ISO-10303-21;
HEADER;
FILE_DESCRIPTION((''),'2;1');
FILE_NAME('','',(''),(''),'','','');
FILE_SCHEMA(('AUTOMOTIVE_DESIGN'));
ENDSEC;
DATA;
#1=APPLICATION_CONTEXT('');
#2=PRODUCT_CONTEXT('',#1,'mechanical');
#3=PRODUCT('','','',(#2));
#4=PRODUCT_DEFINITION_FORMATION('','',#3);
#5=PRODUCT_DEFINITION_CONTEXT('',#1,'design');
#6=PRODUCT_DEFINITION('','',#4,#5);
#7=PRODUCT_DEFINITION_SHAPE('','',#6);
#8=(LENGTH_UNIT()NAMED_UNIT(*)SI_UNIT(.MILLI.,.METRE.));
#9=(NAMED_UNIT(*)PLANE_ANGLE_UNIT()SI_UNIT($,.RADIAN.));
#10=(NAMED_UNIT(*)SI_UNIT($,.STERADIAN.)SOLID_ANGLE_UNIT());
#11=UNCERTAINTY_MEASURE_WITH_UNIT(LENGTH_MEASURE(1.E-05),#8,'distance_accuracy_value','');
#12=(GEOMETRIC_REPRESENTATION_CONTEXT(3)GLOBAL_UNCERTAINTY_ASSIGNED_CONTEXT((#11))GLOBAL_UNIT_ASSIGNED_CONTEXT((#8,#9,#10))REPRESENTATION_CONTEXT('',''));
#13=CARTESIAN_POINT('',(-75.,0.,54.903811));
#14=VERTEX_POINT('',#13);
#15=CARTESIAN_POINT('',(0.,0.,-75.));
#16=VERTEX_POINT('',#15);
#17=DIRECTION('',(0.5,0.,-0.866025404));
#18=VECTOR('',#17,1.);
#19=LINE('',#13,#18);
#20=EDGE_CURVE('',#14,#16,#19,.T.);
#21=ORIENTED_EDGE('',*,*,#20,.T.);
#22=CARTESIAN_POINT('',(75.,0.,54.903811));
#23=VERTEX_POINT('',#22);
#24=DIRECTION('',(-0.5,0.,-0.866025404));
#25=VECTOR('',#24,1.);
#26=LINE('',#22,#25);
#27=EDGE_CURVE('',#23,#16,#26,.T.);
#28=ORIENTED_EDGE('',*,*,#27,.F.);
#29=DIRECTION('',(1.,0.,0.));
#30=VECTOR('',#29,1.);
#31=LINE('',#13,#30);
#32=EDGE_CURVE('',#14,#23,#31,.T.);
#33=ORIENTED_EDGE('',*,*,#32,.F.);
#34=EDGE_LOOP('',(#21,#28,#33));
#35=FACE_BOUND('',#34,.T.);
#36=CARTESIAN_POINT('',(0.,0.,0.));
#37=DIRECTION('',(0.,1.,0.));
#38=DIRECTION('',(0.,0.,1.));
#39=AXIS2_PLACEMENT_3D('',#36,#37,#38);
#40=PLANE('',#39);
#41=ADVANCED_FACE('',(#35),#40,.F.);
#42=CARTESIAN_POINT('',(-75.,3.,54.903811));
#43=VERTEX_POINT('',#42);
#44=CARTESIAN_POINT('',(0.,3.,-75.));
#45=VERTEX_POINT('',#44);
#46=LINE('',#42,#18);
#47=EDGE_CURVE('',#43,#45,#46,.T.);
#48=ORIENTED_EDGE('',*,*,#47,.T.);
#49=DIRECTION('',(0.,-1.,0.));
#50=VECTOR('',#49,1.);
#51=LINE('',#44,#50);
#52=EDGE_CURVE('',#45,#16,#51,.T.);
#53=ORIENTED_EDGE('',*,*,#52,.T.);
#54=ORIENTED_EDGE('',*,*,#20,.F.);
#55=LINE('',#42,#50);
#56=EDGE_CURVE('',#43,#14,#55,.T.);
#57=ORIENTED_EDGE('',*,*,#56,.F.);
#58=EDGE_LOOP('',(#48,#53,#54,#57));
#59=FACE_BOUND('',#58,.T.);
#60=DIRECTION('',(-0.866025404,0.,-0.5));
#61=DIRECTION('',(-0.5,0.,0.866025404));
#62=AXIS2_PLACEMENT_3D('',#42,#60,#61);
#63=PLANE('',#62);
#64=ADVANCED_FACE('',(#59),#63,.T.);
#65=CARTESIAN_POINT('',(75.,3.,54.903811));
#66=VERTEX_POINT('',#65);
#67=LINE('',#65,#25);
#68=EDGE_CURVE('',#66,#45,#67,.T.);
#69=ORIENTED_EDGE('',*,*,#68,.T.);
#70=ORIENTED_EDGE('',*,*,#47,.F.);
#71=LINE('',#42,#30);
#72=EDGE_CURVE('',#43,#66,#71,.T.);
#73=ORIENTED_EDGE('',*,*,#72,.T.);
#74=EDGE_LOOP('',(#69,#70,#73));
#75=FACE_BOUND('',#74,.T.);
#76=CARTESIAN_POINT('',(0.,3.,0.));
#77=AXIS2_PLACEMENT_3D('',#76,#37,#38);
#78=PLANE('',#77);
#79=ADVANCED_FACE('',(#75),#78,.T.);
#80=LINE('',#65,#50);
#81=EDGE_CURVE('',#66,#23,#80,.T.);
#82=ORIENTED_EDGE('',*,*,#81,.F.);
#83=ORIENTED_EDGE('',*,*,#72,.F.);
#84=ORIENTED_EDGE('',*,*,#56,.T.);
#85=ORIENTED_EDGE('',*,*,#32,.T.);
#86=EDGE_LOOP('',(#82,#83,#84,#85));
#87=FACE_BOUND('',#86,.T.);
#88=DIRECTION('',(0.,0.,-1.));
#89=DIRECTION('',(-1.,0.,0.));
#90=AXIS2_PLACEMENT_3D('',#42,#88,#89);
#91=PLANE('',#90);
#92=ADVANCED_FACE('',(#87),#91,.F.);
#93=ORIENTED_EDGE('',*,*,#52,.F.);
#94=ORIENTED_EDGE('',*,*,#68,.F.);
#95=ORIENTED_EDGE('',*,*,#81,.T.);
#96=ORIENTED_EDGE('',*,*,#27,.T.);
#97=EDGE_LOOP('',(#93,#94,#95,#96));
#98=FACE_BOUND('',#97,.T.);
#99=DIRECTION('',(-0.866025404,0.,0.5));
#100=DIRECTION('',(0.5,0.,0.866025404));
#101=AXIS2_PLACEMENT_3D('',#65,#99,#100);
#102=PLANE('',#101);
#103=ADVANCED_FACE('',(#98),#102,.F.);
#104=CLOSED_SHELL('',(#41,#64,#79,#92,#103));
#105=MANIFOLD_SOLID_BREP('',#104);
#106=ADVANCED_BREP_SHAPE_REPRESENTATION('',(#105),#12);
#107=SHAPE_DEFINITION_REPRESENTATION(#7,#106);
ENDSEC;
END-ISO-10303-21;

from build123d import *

# Parameters (mm, degrees)
BOSS_EXTRUDE1_DEPTH = 3


with BuildPart() as part:
    # Sketch2 → Boss-Extrude1 (new body)
    with BuildSketch(Plane(origin=(0, 0, 0), x_dir=(1, 0, 0), z_dir=(0, 1, 0))):
        Polygon((-75, -54.903810568), (75, -54.903810568), (0, 75), align=None)
    extrude(amount=BOSS_EXTRUDE1_DEPTH)


solid = part.part
